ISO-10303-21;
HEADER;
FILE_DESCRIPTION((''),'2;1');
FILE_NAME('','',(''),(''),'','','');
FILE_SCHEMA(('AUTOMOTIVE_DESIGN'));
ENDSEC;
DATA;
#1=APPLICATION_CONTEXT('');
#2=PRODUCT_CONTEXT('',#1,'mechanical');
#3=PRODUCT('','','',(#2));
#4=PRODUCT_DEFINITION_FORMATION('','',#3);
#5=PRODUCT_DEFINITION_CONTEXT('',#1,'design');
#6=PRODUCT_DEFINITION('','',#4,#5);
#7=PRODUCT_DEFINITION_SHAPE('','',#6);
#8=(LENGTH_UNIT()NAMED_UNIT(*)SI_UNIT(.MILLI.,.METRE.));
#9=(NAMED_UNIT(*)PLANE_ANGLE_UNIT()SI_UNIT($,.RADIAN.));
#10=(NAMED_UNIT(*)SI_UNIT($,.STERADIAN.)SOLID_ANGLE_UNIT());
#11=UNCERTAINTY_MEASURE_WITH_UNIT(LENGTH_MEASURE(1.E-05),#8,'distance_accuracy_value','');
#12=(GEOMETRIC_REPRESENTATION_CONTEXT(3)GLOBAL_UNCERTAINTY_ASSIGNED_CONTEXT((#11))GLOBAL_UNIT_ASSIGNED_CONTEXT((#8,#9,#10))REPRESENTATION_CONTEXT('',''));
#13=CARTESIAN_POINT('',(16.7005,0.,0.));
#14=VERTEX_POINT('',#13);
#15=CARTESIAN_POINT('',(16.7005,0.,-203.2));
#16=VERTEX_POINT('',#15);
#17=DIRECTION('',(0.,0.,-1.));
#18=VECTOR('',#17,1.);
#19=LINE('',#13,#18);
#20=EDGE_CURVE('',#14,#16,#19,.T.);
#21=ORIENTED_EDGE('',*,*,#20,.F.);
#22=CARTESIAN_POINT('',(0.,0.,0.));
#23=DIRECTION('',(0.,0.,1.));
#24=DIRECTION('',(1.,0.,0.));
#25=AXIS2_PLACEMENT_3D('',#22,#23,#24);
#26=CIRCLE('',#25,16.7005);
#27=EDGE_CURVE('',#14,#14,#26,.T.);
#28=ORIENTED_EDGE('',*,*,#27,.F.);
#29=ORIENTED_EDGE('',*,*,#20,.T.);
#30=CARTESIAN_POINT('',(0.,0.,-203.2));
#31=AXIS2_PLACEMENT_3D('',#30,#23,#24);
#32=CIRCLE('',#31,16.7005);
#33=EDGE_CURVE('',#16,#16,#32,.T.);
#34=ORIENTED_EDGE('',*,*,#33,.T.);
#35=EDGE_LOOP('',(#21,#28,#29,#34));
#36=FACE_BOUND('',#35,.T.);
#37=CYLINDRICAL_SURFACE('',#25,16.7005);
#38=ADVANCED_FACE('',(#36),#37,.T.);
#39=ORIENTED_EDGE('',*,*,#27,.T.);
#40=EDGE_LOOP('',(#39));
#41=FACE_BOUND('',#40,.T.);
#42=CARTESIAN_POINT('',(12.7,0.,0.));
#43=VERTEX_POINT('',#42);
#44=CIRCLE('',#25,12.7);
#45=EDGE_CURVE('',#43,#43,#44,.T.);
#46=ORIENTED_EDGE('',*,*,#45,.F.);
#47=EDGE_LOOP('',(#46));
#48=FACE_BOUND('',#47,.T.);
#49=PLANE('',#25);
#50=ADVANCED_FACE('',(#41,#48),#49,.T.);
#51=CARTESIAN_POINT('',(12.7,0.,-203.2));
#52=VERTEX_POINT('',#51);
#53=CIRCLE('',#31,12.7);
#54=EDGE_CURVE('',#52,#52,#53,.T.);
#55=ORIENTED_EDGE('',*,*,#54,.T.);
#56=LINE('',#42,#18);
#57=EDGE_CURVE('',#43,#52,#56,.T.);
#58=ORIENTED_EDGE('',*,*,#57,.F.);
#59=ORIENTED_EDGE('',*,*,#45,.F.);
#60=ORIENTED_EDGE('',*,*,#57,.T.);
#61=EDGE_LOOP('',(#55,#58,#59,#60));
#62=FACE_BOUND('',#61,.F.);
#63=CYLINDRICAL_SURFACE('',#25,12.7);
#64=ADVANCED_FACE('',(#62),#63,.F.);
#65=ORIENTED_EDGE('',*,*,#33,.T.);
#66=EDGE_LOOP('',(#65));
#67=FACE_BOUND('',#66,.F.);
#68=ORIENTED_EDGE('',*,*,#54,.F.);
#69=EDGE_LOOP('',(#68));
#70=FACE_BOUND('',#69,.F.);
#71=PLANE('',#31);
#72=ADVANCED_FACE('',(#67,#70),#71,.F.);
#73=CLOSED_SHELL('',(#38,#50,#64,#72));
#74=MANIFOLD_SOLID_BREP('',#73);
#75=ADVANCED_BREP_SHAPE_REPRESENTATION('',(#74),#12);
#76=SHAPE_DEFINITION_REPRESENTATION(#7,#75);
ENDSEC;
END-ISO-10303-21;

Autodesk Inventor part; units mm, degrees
ref_plane "YZ Plane" through (0, 0, 0) normal (1, 0, 0) x (0, 1, 0)
ref_plane "XZ Plane" through (0, 0, 0) normal (0, 1, 0) x (-1, 0, 0)
ref_plane "XY Plane" through (0, 0, 0) normal (0, 0, 1) x (1, 0, 0)
sketch "Sketch1" plane through (0, 0, 0) normal (0, 0, 1) x (1, 0, 0)
  circle A0 centre (0, 0) radius 16.7005
  circle A1 centre (0, 0) radius 12.7
  dimension "d0" = 33.401
  dimension "d1" = 25.4
extrude "Extrusion1" add sketch "Sketch1" against normal blind 203.2
properties part number "Pipe 5"
